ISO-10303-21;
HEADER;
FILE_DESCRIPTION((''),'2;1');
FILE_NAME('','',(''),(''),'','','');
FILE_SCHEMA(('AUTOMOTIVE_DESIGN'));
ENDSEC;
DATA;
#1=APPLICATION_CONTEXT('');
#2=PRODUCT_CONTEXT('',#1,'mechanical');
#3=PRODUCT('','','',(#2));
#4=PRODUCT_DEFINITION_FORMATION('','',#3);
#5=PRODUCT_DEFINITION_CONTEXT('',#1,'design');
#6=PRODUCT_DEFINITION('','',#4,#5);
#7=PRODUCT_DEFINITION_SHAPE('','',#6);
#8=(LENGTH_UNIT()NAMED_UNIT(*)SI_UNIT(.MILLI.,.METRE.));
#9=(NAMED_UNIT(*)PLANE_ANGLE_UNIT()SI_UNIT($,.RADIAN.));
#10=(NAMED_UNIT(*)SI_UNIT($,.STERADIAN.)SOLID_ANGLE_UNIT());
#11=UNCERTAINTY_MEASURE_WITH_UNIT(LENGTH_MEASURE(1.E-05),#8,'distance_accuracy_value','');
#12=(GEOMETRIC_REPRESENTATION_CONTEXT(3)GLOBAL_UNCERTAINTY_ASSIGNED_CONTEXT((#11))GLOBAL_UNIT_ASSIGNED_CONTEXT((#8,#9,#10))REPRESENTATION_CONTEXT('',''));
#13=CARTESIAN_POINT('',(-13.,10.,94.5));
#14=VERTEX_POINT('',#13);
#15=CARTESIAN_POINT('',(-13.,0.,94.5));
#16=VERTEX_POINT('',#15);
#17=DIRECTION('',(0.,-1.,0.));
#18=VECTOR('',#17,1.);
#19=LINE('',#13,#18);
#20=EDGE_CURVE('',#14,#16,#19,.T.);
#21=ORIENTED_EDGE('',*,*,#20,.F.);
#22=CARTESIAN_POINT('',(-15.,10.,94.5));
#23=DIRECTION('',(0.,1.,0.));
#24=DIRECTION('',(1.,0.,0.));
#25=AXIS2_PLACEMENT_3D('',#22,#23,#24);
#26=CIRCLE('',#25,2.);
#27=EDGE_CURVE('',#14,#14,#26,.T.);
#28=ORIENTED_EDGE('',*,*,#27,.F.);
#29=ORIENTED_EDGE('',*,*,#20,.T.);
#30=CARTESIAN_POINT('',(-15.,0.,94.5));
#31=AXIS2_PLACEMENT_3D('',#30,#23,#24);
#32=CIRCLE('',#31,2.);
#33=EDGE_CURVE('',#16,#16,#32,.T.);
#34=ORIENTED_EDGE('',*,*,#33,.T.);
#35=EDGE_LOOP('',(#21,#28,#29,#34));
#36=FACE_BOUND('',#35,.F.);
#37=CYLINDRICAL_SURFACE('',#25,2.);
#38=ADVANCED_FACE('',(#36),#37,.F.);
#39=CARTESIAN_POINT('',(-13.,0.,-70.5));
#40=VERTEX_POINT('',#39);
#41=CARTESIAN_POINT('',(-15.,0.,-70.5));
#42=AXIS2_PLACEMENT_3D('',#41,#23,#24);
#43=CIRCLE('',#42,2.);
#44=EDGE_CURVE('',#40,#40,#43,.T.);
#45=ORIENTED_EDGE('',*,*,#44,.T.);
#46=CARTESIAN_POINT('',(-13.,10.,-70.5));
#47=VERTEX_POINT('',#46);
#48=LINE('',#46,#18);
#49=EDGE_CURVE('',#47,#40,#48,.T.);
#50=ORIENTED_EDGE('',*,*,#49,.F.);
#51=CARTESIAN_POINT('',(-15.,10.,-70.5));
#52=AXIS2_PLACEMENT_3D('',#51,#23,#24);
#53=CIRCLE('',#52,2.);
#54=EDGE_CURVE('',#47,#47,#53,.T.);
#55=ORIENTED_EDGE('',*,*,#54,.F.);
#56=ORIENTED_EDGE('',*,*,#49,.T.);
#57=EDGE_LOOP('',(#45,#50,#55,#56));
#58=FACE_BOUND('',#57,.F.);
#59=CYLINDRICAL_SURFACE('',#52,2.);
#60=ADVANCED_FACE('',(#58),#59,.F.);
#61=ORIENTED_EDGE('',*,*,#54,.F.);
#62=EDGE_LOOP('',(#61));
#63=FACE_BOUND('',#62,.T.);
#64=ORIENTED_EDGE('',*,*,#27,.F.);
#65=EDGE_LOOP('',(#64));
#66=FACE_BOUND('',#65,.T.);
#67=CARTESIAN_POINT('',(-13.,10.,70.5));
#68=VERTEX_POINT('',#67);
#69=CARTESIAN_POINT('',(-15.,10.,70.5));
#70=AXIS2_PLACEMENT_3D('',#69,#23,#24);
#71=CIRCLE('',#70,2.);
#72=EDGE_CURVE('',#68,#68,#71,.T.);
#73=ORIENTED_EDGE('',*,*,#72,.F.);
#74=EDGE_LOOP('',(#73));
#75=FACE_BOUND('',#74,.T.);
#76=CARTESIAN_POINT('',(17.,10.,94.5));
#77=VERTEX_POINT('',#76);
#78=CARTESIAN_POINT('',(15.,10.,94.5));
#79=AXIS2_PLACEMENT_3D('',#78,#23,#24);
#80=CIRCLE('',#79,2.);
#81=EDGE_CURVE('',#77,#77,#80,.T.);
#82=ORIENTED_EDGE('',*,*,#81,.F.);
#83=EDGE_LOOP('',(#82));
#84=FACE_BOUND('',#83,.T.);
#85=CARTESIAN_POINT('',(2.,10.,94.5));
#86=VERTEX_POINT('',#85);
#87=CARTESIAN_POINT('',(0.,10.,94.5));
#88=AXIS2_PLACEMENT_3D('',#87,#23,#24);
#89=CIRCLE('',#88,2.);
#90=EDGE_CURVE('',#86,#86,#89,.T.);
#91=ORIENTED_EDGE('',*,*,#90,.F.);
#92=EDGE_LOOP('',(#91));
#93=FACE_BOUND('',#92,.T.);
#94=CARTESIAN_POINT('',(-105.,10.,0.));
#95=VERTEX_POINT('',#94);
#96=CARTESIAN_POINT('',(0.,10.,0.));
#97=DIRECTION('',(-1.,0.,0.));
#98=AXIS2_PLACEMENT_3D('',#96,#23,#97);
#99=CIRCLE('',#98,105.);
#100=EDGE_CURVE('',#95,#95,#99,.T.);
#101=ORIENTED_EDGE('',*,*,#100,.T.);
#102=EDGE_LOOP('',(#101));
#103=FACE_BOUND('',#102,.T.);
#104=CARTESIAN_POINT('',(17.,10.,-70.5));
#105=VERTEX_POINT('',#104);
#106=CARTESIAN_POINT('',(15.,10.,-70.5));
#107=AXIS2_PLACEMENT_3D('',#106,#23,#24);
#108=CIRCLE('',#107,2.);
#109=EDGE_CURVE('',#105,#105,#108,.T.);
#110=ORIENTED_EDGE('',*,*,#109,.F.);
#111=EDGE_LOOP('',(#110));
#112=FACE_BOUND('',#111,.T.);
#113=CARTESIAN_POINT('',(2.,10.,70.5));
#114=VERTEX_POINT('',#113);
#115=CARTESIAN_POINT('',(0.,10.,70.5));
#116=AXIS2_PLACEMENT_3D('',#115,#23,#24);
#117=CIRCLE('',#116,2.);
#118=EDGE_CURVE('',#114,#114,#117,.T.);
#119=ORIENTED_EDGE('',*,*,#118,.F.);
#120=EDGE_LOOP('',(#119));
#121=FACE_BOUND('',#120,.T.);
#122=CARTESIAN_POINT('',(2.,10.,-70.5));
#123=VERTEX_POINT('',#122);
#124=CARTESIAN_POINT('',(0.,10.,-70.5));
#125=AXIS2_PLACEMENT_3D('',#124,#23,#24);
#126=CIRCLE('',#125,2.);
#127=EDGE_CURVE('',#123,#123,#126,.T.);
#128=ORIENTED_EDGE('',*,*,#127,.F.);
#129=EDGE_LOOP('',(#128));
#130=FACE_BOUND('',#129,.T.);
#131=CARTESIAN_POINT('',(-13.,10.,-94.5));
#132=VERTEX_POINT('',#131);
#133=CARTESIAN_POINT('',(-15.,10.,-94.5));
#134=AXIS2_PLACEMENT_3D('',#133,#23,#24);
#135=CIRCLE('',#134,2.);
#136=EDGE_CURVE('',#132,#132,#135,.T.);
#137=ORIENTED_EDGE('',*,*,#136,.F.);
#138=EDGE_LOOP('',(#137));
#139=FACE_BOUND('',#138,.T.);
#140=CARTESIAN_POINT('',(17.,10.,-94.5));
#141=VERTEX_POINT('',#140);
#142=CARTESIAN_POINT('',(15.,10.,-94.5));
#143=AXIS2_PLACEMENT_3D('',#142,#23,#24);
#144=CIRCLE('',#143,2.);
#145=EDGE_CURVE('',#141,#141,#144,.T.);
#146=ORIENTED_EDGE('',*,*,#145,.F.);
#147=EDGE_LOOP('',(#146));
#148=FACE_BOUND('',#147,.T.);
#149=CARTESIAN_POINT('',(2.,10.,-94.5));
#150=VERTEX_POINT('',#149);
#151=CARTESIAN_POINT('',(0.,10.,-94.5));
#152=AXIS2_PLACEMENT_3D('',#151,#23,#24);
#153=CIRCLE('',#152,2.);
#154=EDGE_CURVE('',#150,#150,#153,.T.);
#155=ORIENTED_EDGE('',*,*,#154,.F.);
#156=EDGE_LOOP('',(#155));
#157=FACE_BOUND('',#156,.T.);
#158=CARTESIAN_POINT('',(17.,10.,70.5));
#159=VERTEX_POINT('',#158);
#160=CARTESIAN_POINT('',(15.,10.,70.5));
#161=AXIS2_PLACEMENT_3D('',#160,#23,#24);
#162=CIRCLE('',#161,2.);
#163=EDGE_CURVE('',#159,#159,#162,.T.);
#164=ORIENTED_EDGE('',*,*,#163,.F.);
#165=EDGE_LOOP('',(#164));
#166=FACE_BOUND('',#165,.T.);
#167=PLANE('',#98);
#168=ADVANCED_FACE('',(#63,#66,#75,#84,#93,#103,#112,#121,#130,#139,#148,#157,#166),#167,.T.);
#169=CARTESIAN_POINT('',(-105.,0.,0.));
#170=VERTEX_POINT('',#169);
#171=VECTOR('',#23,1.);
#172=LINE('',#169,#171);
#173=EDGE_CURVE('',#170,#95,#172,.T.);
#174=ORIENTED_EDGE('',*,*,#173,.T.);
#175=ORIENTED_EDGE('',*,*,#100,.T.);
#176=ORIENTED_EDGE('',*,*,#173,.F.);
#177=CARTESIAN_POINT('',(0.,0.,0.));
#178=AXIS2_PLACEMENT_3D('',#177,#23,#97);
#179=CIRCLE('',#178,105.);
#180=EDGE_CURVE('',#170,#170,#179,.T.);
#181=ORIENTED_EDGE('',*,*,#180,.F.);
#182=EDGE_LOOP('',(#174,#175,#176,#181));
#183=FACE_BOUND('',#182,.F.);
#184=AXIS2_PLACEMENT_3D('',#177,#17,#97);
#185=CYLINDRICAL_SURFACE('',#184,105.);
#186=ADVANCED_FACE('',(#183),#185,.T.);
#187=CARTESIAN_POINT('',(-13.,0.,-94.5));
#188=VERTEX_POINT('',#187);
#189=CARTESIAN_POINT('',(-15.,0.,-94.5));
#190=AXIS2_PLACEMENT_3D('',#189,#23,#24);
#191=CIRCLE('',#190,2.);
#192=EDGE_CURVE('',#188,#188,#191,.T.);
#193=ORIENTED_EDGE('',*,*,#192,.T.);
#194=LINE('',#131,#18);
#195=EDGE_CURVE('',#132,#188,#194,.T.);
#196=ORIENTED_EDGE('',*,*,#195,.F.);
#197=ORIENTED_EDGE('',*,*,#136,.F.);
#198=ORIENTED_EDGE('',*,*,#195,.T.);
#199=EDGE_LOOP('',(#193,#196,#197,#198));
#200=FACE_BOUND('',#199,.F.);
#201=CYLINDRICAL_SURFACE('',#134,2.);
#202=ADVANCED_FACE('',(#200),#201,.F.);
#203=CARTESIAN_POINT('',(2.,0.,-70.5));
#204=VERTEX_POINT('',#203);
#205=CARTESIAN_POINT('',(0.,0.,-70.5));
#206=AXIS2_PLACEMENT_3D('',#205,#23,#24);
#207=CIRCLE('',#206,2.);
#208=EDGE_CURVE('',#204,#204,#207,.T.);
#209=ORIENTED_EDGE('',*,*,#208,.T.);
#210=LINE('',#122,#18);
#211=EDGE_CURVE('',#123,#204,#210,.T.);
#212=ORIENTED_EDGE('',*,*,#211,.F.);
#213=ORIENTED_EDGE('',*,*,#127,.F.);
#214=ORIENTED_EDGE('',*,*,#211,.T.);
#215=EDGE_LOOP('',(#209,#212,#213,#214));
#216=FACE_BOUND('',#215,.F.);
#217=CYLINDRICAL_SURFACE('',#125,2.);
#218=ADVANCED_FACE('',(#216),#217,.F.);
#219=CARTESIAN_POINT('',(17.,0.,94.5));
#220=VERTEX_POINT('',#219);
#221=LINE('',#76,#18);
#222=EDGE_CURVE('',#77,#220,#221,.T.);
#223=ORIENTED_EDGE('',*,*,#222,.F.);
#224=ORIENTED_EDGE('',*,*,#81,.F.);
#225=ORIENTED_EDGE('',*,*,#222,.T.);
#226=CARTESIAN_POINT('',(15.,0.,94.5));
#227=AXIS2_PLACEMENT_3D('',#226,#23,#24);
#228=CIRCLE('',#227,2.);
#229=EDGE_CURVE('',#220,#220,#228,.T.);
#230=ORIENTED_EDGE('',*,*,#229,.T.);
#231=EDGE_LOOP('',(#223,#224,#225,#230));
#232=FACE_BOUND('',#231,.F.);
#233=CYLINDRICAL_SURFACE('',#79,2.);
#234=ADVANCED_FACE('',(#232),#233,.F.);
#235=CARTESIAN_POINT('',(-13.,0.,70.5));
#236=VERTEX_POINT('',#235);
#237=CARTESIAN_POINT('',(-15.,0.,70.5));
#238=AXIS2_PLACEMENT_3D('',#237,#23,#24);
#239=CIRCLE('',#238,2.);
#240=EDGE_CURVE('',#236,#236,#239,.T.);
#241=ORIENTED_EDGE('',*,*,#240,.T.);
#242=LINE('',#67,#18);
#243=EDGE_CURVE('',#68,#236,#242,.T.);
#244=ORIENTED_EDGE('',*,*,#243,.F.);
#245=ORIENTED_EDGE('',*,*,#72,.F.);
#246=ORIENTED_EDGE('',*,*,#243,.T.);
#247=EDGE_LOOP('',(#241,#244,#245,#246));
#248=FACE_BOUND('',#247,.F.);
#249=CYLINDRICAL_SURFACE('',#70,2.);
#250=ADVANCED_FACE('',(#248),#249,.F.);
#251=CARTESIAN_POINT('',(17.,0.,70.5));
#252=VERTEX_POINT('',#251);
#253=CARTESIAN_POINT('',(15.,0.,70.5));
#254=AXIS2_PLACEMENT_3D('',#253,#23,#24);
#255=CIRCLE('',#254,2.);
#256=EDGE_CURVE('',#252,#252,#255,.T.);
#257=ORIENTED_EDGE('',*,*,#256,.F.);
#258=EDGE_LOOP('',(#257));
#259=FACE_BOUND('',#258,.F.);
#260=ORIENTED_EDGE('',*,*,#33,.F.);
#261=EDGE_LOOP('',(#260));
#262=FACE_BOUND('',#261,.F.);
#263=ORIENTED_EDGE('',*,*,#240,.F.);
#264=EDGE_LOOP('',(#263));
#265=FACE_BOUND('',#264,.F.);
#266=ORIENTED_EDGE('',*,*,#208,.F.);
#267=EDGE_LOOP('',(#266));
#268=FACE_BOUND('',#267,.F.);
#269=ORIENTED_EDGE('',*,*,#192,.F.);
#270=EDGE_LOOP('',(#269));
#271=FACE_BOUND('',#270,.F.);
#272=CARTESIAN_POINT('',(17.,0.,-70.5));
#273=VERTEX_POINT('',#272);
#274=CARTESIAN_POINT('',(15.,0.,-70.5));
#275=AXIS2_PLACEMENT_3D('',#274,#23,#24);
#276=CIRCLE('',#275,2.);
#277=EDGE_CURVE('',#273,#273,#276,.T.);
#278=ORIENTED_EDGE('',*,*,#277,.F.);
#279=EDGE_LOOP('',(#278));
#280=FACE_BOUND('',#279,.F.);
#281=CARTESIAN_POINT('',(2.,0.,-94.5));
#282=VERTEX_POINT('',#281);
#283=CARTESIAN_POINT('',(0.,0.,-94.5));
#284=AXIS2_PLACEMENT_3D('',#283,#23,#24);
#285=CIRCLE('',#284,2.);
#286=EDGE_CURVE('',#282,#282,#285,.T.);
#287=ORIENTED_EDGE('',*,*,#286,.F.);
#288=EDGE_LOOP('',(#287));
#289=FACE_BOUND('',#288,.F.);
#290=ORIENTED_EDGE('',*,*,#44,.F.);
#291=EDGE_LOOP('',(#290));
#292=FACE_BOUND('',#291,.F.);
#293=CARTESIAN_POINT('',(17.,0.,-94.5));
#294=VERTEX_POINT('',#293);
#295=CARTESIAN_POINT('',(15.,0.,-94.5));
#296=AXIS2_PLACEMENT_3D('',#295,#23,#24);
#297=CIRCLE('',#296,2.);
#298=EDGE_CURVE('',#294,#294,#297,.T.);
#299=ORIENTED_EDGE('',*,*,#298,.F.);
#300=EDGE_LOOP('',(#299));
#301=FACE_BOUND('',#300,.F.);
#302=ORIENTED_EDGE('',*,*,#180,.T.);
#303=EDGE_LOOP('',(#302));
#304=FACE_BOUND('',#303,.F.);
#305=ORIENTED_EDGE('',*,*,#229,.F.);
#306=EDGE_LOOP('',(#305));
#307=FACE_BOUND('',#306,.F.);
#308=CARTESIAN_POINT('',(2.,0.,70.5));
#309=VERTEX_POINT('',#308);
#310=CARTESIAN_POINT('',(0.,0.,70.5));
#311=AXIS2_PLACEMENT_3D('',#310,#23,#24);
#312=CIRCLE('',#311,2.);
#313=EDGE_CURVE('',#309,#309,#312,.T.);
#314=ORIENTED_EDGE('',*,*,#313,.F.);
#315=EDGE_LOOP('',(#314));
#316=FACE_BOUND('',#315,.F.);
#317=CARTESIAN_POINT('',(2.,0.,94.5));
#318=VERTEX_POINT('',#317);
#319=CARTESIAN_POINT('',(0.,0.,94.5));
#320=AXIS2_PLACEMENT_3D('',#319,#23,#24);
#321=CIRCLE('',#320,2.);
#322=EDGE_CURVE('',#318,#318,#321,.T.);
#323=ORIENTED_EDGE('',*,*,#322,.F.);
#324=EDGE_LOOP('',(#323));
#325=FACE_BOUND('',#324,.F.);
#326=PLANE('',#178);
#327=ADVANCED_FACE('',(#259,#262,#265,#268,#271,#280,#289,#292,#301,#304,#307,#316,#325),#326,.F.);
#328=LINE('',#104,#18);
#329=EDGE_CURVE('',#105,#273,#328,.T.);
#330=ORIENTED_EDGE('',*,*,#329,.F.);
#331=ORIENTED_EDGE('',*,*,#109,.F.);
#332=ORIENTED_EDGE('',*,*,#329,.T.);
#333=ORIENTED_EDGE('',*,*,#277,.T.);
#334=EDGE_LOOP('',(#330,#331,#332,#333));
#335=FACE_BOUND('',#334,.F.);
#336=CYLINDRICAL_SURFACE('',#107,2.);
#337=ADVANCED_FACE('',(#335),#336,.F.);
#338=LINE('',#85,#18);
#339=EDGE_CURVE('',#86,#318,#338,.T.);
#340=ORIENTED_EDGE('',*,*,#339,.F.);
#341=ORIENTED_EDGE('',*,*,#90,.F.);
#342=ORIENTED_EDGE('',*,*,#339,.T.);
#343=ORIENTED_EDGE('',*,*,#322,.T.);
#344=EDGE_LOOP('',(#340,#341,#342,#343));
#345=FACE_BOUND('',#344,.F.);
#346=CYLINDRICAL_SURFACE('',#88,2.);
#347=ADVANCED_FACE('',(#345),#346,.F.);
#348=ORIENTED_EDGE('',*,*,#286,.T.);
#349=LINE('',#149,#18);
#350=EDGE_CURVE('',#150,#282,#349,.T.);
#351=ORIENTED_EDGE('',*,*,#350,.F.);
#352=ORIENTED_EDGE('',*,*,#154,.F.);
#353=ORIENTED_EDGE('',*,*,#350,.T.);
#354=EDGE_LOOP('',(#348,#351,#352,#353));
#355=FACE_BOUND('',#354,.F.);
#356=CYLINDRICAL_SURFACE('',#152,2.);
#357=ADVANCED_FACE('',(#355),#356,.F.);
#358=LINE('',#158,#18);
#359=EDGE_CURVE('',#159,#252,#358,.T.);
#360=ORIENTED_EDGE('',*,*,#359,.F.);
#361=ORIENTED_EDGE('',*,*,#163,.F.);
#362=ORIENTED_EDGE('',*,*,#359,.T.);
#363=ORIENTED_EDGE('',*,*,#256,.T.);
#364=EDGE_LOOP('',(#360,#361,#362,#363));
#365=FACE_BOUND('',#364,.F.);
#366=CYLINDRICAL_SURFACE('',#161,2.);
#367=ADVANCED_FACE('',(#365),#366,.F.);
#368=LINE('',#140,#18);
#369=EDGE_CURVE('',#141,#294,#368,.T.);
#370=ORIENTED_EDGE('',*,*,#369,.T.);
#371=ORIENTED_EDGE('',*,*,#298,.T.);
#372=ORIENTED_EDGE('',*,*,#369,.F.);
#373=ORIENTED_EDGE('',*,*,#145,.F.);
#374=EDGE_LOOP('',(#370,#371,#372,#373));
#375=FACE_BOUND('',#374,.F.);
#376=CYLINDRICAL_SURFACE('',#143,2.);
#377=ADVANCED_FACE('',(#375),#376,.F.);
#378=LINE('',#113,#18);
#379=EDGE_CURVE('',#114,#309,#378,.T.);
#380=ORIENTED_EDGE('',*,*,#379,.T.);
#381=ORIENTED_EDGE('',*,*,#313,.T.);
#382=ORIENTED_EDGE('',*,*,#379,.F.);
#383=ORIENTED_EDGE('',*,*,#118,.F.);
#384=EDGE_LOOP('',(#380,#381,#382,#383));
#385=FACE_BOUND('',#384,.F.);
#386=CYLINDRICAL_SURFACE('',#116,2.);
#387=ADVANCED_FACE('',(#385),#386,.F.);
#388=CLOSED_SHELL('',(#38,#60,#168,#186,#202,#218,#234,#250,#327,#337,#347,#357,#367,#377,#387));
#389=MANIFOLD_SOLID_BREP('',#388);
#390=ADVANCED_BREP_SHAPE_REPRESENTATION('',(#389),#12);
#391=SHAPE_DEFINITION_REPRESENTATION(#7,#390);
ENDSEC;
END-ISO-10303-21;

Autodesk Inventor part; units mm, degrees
ref_plane "YZ Plane" through (0, 0, 0) normal (1, 0, 0) x (0, 1, 0)
ref_plane "XZ Plane" through (0, 0, 0) normal (0, 1, 0) x (-1, 0, 0)
ref_plane "XY Plane" through (0, 0, 0) normal (0, 0, 1) x (1, 0, 0)
sketch "Sketch1" plane through (0, 0, 0) normal (0, 1, 0) x (-1, 0, 0)
  circle A0 centre (0, 0) radius 105
  dimension "d0" = 210
extrude "Extrusion1" add sketch "Sketch1" along normal blind 10
sketch "Sketch2" plane through (0, 10, 0) normal (0, 1, 0) x (1, 0, 0)
  circle A0 centre (0, 0) radius 2.5
  dimension "d3" = 5
extrude "Extrusion2" cut sketch "Sketch2" against normal blind 10
sketch "Sketch3" plane through (0, 10, 0) normal (0, 1, 0) x (1, 0, 0)
  circle A0 centre (0, 0) radius 2.5 projected
  line L0 (0, 0) -> (0, -75)
  line L1 (0, -75) -> (-15, -75)
  circle A1 centre (-30, 0) radius 2.5
  circle A2 centre (-15, 0) radius 2.5
  circle A3 centre (0, 0) radius 2.5
  line L2 (15, 70.5) -> (15, 94.5)
  line L3 (0, 0) -> (29.6742, 0)
  line L4 (15, -70.5) -> (15, -94.5)
  circle A4 centre (-15, 70.5) radius 2.5
  circle A5 centre (0, 70.5) radius 2.5
  circle A6 centre (15, 70.5) radius 2.5
  circle A7 centre (-15, 94.5) radius 2.5
  circle A8 centre (0, 94.5) radius 2.5
  circle A9 centre (15, 94.5) radius 2.5
  circle A10 centre (-15, -70.5) radius 2.5
  circle A11 centre (0, -70.5) radius 2.5
  circle A12 centre (15, -70.5) radius 2.5
  circle A13 centre (-15, -94.5) radius 2.5
  circle A14 centre (0, -94.5) radius 2.5
  circle A15 centre (15, -94.5) radius 2.5
  dimension "d9" = 75
  dimension "d10" = 15
  dimension "d19" = 5
  dimension "d20" = 5
  dimension "d21" = 5
  dimension "d25" = 5
  dimension "d26" = 5
  dimension "d27" = 5
  dimension "d28" = 5
  dimension "d29" = 5
  dimension "d30" = 5
  dimension "d31" = 5
  dimension "d32" = 5
  dimension "d33" = 5
  dimension "d34" = 5
  dimension "d35" = 5
  dimension "d36" = 5
extrude "Extrusion3" cut sketch "Sketch3" against normal blind 10 contours A11 L0 | L0 A11 | A9 | A6 | A15 | A12 | A4 | A5 | A7 | A8 | A10 | A13 | A14
sketch "Sketch4" plane through (0, 10, 0) normal (0, 1, 0) x (1, 0, 0)
  circle A0 centre (-15, 94.5) radius 2
  circle A1 centre (0, 94.5) radius 2
  circle A2 centre (15, 94.5) radius 2
  circle A3 centre (15, 70.5) radius 2
  circle A4 centre (0, 70.5) radius 2
  circle A5 centre (-15, 70.5) radius 2
  circle A6 centre (15, -70.5) radius 2
  circle A7 centre (15, -94.5) radius 2
  circle A8 centre (0, -94.5) radius 2
  circle A9 centre (-15, -94.5) radius 2
  circle A10 centre (-15, -70.5) radius 2
  circle A11 centre (0, -70.5) radius 2
  line L0 (-22.4241, -99.4431) -> (24.1315, -99.4431)
  line L1 (24.1315, -99.4431) -> (24.1315, 99.2987)
  line L2 (24.1315, 99.2987) -> (-24.4086, 99.2987)
  line L3 (-24.4086, 99.2987) -> (-22.4241, -99.4431)
  point P0 (0, 0)
  dimension "d39" = 4
  dimension "d40" = 4
  dimension "d41" = 4
  dimension "d42" = 4
  dimension "d43" = 4
  dimension "d44" = 4
  dimension "d45" = 4
  dimension "d46" = 4
  dimension "d47" = 4
  dimension "d48" = 4
  dimension "d49" = 4
  dimension "d50" = 4
extrude "Extrusion4" add sketch "Sketch4" against normal blind 10
properties part number "Base do tripé"
